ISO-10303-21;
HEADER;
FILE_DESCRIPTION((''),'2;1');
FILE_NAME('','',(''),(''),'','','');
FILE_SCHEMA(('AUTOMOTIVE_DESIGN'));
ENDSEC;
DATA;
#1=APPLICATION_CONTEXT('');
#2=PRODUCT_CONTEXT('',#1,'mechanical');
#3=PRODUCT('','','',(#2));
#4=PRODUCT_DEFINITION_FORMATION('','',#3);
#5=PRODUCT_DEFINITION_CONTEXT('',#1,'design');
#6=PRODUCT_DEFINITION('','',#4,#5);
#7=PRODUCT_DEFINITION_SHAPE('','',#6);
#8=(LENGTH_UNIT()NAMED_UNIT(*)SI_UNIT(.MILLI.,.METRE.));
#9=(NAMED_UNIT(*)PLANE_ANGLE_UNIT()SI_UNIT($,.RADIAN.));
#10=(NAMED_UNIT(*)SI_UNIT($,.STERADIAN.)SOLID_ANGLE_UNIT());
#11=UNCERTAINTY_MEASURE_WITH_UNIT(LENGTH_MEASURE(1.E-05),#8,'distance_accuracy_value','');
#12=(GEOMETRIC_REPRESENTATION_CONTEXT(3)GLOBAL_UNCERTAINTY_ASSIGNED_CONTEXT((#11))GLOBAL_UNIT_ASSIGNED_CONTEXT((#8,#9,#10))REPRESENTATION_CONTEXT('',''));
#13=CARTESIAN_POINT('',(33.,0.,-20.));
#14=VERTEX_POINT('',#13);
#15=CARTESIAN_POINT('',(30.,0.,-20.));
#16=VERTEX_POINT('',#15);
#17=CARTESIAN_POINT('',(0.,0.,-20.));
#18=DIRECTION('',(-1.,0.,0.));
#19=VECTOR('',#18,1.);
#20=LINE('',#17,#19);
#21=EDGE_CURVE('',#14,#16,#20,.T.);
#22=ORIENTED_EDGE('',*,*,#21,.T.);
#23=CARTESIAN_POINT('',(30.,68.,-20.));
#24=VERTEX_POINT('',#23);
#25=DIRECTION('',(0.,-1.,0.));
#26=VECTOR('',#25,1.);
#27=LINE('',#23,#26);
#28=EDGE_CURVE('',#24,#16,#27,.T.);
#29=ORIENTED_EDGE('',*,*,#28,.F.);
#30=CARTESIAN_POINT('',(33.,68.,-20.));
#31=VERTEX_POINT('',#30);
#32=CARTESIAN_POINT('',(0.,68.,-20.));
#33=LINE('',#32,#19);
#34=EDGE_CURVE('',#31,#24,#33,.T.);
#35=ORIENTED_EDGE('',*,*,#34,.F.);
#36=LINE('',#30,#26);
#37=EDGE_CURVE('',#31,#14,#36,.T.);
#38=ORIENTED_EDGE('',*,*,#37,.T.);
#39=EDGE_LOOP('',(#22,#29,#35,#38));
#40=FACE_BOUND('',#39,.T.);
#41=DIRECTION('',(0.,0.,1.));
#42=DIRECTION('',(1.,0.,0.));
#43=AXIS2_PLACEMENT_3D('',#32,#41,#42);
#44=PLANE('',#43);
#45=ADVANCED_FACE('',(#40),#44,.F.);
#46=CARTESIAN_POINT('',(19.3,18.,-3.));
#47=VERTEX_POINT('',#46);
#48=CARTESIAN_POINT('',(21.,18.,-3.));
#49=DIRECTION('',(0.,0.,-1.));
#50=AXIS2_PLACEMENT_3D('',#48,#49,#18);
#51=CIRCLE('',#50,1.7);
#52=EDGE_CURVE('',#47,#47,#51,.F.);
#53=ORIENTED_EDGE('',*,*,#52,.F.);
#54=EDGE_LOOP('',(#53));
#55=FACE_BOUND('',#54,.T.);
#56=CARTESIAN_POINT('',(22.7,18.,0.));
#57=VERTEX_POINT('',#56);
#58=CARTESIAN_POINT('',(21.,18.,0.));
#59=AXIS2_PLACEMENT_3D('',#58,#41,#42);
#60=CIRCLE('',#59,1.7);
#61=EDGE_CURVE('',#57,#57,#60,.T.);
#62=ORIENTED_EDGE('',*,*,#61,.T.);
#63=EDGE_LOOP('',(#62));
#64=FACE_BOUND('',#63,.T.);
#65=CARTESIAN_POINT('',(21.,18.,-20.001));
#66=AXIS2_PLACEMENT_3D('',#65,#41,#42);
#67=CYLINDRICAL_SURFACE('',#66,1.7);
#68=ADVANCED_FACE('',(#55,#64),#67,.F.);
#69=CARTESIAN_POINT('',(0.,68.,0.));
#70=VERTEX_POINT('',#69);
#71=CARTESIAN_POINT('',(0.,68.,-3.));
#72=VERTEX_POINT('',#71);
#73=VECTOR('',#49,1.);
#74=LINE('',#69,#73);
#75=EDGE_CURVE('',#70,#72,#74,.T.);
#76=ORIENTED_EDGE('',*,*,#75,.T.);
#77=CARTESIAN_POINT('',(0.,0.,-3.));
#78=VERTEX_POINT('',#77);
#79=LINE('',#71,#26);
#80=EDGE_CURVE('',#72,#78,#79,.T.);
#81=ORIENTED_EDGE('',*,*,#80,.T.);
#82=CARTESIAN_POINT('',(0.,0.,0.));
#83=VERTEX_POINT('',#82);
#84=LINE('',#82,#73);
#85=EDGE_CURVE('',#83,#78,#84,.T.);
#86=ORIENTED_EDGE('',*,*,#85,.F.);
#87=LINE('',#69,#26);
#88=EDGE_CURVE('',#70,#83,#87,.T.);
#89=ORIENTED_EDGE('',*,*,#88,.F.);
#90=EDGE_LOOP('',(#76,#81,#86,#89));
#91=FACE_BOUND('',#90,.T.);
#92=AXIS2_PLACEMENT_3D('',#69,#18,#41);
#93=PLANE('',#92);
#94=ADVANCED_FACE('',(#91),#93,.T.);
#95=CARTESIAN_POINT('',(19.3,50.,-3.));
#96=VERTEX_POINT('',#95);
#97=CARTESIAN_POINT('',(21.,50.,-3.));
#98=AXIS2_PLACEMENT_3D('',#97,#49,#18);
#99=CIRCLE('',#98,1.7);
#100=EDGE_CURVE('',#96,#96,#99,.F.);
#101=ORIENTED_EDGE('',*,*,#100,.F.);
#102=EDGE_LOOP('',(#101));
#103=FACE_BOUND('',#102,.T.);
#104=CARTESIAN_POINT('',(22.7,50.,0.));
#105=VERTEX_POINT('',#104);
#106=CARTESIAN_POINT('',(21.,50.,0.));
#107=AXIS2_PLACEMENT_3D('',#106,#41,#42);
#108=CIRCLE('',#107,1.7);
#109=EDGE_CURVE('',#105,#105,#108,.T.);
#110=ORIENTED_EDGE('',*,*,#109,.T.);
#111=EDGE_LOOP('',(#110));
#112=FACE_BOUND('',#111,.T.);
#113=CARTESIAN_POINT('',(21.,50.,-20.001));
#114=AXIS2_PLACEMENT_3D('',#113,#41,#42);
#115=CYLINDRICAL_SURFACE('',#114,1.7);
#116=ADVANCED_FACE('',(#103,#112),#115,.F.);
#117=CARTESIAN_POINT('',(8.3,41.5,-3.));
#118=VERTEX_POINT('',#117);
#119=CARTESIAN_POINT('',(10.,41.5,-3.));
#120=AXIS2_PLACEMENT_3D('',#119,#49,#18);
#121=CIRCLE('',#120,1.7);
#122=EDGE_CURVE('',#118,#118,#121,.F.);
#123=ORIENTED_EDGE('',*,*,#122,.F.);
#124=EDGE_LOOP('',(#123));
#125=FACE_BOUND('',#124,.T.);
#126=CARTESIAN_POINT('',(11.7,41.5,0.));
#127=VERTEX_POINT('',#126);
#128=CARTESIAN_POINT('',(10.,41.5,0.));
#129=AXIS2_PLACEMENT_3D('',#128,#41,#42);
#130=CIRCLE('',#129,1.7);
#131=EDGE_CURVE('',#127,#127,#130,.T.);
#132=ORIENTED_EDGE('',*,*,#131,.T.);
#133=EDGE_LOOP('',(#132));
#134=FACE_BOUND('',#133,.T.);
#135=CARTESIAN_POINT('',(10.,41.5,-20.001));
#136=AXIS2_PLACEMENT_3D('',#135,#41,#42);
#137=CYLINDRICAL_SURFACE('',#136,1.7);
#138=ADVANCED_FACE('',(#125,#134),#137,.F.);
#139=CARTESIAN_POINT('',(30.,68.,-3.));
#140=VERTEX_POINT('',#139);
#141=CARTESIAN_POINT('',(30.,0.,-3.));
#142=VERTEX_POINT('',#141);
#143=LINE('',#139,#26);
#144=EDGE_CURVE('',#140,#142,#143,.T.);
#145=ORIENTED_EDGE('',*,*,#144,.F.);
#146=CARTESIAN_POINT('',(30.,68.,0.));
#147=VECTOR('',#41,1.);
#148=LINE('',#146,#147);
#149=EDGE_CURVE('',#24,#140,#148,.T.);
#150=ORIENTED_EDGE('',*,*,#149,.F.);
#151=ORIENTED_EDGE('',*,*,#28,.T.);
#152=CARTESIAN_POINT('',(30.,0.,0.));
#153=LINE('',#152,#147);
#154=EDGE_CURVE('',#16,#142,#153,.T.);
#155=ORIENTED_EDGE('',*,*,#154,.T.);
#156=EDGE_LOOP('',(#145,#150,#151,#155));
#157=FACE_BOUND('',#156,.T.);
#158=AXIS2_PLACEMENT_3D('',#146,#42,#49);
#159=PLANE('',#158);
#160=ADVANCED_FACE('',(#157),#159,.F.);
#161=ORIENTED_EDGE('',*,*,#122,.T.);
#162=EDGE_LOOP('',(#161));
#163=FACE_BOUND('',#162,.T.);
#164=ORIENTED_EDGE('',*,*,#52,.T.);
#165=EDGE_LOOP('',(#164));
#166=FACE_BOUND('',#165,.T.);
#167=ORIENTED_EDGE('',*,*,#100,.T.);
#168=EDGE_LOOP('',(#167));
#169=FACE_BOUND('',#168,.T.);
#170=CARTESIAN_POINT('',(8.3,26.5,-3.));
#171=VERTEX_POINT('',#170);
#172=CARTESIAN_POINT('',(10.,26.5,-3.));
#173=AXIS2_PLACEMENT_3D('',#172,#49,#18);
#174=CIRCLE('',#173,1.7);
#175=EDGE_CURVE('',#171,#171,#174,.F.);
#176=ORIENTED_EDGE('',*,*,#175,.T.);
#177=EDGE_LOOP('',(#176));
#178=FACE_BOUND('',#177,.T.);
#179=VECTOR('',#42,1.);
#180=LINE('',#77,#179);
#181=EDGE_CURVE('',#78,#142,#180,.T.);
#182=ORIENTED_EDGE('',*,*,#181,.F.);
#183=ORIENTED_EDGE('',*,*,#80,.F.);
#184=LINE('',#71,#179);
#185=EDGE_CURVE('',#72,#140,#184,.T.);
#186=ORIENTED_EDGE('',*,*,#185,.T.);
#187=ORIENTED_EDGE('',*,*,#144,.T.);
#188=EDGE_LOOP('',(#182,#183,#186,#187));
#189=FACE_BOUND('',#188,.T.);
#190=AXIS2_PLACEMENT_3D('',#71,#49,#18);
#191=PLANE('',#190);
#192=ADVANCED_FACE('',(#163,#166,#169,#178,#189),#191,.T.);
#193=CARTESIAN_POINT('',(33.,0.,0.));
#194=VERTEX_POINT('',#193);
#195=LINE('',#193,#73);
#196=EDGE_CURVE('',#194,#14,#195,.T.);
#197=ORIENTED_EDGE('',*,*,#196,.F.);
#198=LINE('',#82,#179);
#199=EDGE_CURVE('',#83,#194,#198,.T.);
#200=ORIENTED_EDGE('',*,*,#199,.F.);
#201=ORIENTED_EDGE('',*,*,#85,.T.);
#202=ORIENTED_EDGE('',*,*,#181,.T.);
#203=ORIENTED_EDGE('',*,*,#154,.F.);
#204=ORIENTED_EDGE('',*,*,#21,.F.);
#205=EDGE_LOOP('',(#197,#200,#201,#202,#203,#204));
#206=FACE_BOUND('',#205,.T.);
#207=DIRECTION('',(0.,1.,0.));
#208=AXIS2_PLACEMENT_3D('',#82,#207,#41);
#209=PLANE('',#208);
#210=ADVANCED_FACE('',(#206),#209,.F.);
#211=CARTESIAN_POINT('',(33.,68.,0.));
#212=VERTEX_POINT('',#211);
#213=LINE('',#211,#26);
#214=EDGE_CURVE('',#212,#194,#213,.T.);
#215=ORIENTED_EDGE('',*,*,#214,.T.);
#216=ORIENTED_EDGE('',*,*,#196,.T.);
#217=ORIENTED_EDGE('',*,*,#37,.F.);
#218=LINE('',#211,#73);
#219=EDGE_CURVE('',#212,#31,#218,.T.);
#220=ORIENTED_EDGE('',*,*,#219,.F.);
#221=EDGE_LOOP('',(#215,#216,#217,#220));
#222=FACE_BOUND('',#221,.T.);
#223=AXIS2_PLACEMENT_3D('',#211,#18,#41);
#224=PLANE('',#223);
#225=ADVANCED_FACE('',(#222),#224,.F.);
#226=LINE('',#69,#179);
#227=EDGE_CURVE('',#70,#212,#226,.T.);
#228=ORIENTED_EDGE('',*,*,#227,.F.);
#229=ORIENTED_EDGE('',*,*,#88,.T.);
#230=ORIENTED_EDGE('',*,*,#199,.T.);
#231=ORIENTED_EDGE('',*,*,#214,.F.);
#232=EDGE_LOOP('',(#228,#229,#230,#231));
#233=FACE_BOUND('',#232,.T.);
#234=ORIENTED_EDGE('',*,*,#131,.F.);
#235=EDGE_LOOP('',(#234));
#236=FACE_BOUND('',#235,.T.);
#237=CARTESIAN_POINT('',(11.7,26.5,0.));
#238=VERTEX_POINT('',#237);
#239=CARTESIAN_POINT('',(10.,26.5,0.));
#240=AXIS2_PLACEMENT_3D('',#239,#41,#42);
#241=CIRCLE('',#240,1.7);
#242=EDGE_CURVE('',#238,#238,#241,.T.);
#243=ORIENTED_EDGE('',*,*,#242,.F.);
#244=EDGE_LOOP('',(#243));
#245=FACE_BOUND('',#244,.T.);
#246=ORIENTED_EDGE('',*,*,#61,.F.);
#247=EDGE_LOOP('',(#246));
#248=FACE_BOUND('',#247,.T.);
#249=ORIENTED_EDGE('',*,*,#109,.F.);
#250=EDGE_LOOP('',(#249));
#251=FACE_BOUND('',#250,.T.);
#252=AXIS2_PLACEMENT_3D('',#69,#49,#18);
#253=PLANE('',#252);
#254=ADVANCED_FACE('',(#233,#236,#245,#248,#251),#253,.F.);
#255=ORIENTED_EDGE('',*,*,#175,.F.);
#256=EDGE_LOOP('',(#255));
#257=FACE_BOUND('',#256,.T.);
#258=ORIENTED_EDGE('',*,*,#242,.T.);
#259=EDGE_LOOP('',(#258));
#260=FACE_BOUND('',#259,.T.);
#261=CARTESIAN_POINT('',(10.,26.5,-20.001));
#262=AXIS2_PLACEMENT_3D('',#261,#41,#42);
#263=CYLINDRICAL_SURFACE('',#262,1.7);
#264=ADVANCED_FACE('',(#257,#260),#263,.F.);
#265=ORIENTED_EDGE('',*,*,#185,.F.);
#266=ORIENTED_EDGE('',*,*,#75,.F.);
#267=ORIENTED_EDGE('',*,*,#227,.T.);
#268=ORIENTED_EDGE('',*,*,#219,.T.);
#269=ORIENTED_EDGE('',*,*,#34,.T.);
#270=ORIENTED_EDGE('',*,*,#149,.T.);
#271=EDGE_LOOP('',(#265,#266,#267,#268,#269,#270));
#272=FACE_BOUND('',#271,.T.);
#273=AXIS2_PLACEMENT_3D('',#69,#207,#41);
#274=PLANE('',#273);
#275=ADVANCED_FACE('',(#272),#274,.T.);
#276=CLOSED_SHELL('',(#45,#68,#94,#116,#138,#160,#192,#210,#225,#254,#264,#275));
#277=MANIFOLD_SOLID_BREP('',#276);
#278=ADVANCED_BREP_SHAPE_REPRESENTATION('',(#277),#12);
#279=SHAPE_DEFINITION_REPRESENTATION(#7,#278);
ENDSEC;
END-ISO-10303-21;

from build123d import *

# Parameters (mm, degrees)
SKETCH_1_W          = 30
SKETCH_1_H          = 3
EXTRUDE_1_DEPTH     = 68
CUT_EXTRUDE_1_REACH = 80.186
SKETCH_2_R          = 1.7


with BuildPart() as part:
    # 草图1 → 凸台-拉伸1 (new body)
    with BuildSketch(Plane(origin=(0, 0, 0), x_dir=(1, 0, 0), z_dir=(0, 1, 0))):
        with Locations((15, 1.5)):
            Rectangle(SKETCH_1_W, SKETCH_1_H)
        Polygon((33, 20), (30, 20), (30, 3), (30, 0), (33, 0), align=None)
    extrude(amount=EXTRUDE_1_DEPTH)

    # 草图2 → 切除-拉伸1 (cut, up to next)
    with BuildSketch(Plane.XY, mode=Mode.PRIVATE) as cut_extrude_1_sk1:
        with Locations((21, 18)):
            Circle(SKETCH_2_R)
    cut_extrude_1_tool1 = extrude(cut_extrude_1_sk1.sketch, amount=-CUT_EXTRUDE_1_REACH, mode=Mode.PRIVATE) & part.part
    # 草图2 → 切除-拉伸1 (cut, up to next)
    with BuildSketch(Plane.XY, mode=Mode.PRIVATE) as cut_extrude_1_sk2:
        with Locations((21, 50)):
            Circle(SKETCH_2_R)
    cut_extrude_1_tool2 = extrude(cut_extrude_1_sk2.sketch, amount=-CUT_EXTRUDE_1_REACH, mode=Mode.PRIVATE) & part.part
    # 草图2 → 切除-拉伸1 (cut, up to next)
    with BuildSketch(Plane.XY, mode=Mode.PRIVATE) as cut_extrude_1_sk3:
        with Locations((10, 26.5)):
            Circle(SKETCH_2_R)
    cut_extrude_1_tool3 = extrude(cut_extrude_1_sk3.sketch, amount=-CUT_EXTRUDE_1_REACH, mode=Mode.PRIVATE) & part.part
    # 草图2 → 切除-拉伸1 (cut, up to next)
    with BuildSketch(Plane.XY, mode=Mode.PRIVATE) as cut_extrude_1_sk4:
        with Locations((10, 41.5)):
            Circle(SKETCH_2_R)
    cut_extrude_1_tool4 = extrude(cut_extrude_1_sk4.sketch, amount=-CUT_EXTRUDE_1_REACH, mode=Mode.PRIVATE) & part.part
    add(cut_extrude_1_tool1.solids().sort_by_distance((21, 18, 0))[0], mode=Mode.SUBTRACT)
    add(cut_extrude_1_tool2.solids().sort_by_distance((21, 50, 0))[0], mode=Mode.SUBTRACT)
    add(cut_extrude_1_tool3.solids().sort_by_distance((10, 26.5, 0))[0], mode=Mode.SUBTRACT)
    add(cut_extrude_1_tool4.solids().sort_by_distance((10, 41.5, 0))[0], mode=Mode.SUBTRACT)


solid = part.part
